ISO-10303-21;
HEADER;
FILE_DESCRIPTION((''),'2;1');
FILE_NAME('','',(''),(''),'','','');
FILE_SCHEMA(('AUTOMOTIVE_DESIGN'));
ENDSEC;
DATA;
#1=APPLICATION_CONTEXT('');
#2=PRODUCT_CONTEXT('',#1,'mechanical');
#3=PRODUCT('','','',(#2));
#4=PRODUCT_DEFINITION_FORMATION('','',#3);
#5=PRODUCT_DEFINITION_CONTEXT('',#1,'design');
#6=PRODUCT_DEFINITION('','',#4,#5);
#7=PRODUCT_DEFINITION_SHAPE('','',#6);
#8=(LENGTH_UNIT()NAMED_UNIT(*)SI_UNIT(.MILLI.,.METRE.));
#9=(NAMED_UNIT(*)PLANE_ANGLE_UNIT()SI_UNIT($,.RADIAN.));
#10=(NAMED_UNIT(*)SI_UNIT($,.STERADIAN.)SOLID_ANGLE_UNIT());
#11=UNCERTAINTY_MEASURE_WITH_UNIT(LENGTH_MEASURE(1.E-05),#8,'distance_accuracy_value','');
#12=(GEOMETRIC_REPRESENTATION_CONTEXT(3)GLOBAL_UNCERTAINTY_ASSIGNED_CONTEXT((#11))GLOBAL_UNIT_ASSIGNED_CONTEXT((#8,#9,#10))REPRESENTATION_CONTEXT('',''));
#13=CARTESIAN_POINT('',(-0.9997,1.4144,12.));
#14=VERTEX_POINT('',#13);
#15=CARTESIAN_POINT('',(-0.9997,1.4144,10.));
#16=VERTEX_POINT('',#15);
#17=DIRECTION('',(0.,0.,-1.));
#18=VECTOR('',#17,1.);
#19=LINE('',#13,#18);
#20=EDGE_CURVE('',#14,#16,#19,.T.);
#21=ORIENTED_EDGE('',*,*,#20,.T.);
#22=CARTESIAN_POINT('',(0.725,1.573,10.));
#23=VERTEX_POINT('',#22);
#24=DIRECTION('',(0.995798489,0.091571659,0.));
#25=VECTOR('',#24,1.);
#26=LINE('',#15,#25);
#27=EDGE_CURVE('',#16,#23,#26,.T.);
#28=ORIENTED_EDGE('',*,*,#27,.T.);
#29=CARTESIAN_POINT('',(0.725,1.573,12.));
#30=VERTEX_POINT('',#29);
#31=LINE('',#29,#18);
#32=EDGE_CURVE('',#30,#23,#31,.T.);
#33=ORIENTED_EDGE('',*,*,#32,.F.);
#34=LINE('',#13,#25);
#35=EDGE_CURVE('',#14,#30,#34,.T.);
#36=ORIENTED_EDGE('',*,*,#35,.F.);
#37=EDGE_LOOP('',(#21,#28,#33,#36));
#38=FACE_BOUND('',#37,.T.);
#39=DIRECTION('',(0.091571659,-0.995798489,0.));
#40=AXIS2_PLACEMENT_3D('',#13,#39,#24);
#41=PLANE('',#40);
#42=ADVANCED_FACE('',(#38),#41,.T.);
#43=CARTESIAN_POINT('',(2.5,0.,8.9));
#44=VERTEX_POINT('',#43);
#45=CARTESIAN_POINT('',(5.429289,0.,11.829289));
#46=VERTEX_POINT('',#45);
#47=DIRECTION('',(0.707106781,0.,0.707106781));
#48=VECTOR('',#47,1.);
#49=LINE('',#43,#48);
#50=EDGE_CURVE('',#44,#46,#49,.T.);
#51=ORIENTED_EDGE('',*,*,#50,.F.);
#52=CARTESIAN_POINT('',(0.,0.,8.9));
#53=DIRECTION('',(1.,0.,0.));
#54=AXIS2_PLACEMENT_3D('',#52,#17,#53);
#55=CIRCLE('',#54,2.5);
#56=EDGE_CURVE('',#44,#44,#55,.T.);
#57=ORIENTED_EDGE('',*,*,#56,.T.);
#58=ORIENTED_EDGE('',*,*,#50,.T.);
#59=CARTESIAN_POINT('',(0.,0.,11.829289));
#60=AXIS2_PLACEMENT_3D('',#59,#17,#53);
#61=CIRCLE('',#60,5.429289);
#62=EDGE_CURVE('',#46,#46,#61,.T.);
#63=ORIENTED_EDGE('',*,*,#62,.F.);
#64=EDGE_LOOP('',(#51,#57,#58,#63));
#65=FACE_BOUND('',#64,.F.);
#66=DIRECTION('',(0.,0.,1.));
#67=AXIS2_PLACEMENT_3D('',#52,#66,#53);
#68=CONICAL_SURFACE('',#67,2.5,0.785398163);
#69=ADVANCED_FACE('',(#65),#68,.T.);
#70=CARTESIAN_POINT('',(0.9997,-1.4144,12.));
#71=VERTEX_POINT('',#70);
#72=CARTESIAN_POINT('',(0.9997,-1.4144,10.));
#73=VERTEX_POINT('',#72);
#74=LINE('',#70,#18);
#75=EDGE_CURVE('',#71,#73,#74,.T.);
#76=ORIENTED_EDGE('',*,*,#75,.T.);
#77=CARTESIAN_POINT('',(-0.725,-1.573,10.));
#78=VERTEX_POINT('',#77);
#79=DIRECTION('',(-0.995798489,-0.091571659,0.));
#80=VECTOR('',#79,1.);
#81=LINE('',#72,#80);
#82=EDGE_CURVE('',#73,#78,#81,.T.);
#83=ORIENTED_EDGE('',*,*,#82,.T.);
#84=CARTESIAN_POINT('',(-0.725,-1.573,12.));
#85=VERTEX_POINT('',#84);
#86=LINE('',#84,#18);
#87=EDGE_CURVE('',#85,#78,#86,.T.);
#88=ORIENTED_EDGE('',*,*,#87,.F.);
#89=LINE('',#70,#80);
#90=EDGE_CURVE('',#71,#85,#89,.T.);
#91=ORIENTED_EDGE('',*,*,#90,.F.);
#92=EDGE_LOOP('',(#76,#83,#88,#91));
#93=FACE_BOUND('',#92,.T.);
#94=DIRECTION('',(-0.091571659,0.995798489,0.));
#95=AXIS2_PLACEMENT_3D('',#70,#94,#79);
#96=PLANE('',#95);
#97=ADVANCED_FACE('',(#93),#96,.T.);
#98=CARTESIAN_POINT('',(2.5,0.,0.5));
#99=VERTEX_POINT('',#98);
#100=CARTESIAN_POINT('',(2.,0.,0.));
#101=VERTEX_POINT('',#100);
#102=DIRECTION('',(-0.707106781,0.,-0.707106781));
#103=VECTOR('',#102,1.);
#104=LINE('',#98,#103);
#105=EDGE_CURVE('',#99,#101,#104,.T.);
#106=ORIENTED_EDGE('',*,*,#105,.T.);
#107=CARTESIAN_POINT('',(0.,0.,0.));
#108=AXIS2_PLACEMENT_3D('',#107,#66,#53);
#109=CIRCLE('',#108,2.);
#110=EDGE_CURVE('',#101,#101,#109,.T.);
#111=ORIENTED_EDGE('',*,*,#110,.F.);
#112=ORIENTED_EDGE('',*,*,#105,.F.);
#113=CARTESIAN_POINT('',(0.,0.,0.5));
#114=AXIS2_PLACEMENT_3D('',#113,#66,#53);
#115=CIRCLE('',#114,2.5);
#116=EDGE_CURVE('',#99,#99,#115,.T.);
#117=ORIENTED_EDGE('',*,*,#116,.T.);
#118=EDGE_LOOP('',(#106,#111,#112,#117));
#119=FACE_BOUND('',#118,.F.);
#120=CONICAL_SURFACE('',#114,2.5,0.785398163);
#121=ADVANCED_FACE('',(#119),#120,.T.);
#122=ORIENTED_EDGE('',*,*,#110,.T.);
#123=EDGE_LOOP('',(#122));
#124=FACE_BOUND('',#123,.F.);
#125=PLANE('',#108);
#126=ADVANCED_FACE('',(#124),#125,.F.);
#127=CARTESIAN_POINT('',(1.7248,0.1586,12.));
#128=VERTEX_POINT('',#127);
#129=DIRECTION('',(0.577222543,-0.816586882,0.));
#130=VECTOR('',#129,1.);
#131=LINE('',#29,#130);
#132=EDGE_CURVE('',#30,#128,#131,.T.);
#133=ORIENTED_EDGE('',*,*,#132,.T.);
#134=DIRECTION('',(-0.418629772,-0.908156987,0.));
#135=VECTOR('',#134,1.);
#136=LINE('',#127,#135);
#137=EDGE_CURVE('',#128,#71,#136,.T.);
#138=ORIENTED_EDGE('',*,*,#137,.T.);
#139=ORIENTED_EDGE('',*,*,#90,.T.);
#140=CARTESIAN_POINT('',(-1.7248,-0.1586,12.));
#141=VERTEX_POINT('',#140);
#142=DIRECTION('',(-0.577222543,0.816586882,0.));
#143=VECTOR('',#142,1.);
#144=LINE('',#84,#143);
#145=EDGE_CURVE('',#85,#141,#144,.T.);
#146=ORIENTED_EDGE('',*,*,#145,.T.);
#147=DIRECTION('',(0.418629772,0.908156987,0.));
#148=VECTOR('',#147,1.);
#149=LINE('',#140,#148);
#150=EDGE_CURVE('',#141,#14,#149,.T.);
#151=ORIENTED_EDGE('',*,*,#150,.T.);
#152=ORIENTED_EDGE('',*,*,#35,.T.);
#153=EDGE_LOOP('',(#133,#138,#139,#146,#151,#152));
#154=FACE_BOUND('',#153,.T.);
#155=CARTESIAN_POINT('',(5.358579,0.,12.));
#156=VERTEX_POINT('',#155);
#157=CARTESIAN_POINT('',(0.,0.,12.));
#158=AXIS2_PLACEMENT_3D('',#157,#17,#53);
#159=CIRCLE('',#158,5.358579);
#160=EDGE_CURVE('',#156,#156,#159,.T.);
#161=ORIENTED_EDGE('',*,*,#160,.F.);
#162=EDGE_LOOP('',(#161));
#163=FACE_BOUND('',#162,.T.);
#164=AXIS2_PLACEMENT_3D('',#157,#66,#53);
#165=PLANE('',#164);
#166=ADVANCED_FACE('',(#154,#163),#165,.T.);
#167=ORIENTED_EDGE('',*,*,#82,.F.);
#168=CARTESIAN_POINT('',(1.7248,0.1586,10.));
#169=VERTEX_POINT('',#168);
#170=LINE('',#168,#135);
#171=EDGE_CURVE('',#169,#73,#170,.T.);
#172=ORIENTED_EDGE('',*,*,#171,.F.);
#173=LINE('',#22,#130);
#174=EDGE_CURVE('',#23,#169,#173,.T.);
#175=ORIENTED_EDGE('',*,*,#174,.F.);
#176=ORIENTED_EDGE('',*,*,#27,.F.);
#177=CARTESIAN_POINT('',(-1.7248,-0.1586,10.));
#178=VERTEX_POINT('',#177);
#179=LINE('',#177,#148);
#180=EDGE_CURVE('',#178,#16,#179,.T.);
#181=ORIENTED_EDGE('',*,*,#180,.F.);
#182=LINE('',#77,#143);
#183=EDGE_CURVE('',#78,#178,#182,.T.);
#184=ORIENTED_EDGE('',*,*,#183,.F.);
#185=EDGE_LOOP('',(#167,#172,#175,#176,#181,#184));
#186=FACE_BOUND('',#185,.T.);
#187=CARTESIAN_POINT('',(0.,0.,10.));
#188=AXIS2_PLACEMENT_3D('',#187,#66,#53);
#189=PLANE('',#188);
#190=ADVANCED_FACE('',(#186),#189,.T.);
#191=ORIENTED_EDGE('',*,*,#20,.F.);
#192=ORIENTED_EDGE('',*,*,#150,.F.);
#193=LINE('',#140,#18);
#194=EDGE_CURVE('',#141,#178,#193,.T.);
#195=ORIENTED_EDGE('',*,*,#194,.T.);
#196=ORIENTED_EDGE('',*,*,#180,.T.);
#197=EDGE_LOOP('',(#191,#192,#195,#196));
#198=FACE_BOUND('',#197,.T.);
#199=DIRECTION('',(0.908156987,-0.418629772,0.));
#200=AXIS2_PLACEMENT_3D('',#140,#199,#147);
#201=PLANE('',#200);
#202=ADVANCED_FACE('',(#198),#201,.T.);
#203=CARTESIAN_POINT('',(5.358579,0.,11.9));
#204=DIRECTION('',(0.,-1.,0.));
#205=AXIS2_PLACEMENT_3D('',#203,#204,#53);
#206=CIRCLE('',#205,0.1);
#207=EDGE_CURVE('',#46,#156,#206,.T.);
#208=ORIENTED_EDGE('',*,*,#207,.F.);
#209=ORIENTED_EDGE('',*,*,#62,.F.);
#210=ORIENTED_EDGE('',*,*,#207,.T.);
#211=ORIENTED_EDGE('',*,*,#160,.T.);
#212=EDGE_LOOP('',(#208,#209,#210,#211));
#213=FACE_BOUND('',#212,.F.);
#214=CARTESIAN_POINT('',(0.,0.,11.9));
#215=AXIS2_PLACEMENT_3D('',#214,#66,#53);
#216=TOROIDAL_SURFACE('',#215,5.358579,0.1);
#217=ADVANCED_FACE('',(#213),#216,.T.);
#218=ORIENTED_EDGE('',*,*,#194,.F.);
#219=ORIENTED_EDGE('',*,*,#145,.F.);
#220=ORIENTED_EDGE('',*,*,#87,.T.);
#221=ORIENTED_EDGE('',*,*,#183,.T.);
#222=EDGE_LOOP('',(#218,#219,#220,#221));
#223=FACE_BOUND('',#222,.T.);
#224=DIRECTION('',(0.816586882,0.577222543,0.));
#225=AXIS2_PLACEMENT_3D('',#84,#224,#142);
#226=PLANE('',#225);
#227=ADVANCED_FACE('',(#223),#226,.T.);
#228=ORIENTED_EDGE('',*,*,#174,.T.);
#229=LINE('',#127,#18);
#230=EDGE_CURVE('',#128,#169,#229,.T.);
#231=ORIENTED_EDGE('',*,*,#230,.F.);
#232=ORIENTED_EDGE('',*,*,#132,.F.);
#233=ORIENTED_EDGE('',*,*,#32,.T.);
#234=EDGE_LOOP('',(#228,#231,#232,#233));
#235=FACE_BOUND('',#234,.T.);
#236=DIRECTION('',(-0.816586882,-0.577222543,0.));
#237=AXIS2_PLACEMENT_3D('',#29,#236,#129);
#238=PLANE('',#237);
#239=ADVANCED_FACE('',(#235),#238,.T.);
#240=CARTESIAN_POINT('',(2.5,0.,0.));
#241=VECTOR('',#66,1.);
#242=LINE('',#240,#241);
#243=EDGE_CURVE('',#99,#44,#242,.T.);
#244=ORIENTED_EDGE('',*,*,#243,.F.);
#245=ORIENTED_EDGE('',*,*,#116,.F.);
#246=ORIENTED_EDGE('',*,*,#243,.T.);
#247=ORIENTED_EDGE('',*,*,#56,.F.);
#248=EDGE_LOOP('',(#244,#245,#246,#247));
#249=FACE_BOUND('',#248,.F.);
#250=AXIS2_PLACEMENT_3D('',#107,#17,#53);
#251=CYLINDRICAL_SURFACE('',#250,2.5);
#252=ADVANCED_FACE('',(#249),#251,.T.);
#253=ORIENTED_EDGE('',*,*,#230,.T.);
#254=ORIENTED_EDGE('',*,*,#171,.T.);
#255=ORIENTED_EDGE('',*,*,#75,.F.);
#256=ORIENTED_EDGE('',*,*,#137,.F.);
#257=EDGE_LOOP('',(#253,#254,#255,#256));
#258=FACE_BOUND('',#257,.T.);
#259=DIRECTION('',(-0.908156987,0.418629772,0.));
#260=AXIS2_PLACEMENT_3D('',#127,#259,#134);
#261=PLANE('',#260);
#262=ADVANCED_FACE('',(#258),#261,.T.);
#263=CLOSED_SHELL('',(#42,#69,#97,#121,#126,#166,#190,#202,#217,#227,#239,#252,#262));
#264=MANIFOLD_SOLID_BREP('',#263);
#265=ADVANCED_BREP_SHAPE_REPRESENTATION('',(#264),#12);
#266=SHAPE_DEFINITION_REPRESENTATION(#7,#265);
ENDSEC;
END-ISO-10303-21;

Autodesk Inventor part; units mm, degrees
ref_plane "YZ Plane" through (0, 0, 0) normal (1, 0, 0) x (0, 1, 0)
ref_plane "XZ Plane" through (0, 0, 0) normal (0, 1, 0) x (-1, 0, 0)
ref_plane "XY Plane" through (0, 0, 0) normal (0, 0, 1) x (1, 0, 0)
sketch "Sketch1" plane through (0, 0, 0) normal (0, 0, 1) x (1, 0, 0)
  circle A0 centre (0, 0) radius 2.5
  dimension "Diameter" = 5
extrude "Extrusion1" add sketch "Sketch1" along normal blind 8.9
sketch "Sketch2" plane through (0, 0, 8.9) normal (0, 0, 1) x (1, 0, 0)
  circle A0 centre (0, 0) radius 2.5 projected
extrude "Extrusion2" add sketch "Sketch2" along normal blind 3.1 draft 45
sketch "Sketch3" plane through (0, 0, 12) normal (0, 0, 1) x (1, 0, 0)
  circle A0 centre (0, 0) radius 5.6 projected
  circle A1 centre (0, 0) radius 1.7321 construction
  line L0 (0.725, 1.573) -> (1.7248, 0.1586)
  line L1 (1.7248, 0.1586) -> (0.9997, -1.4144)
  line L2 (0.9997, -1.4144) -> (-0.725, -1.573)
  line L3 (-0.725, -1.573) -> (-1.7248, -0.1586)
  line L4 (-1.7248, -0.1586) -> (-0.9997, 1.4144)
  line L5 (-0.9997, 1.4144) -> (0.725, 1.573)
  dimension "Hex_Width" = 3
extrude "Extrusion3" cut sketch "Sketch3" against normal blind 2 contours L0 L1 L2 L3 L4 L5
thread "Thread1" size "M5x0.8" class "4g6g" standard "ANSI Metric M Profile" length 8.9
chamfer "Chamfer2" distance 0.5 angle 45 1 edges at (-2.5, 0, 0)
fillet "Fillet1" radius 0.1 1 edges at (-5.6, 0, 12)
equation "\"d10\" = Thread_Length"
equation "\"d13\" = Chamfer"
equation "\"Thread_Length\" = 8.9"
equation "\"Length\" = 12"
equation "\"Chamfer\" = 0.5"
properties part number "SCREW, FLAT HD, P, 5, M5X0_8X12MM"
